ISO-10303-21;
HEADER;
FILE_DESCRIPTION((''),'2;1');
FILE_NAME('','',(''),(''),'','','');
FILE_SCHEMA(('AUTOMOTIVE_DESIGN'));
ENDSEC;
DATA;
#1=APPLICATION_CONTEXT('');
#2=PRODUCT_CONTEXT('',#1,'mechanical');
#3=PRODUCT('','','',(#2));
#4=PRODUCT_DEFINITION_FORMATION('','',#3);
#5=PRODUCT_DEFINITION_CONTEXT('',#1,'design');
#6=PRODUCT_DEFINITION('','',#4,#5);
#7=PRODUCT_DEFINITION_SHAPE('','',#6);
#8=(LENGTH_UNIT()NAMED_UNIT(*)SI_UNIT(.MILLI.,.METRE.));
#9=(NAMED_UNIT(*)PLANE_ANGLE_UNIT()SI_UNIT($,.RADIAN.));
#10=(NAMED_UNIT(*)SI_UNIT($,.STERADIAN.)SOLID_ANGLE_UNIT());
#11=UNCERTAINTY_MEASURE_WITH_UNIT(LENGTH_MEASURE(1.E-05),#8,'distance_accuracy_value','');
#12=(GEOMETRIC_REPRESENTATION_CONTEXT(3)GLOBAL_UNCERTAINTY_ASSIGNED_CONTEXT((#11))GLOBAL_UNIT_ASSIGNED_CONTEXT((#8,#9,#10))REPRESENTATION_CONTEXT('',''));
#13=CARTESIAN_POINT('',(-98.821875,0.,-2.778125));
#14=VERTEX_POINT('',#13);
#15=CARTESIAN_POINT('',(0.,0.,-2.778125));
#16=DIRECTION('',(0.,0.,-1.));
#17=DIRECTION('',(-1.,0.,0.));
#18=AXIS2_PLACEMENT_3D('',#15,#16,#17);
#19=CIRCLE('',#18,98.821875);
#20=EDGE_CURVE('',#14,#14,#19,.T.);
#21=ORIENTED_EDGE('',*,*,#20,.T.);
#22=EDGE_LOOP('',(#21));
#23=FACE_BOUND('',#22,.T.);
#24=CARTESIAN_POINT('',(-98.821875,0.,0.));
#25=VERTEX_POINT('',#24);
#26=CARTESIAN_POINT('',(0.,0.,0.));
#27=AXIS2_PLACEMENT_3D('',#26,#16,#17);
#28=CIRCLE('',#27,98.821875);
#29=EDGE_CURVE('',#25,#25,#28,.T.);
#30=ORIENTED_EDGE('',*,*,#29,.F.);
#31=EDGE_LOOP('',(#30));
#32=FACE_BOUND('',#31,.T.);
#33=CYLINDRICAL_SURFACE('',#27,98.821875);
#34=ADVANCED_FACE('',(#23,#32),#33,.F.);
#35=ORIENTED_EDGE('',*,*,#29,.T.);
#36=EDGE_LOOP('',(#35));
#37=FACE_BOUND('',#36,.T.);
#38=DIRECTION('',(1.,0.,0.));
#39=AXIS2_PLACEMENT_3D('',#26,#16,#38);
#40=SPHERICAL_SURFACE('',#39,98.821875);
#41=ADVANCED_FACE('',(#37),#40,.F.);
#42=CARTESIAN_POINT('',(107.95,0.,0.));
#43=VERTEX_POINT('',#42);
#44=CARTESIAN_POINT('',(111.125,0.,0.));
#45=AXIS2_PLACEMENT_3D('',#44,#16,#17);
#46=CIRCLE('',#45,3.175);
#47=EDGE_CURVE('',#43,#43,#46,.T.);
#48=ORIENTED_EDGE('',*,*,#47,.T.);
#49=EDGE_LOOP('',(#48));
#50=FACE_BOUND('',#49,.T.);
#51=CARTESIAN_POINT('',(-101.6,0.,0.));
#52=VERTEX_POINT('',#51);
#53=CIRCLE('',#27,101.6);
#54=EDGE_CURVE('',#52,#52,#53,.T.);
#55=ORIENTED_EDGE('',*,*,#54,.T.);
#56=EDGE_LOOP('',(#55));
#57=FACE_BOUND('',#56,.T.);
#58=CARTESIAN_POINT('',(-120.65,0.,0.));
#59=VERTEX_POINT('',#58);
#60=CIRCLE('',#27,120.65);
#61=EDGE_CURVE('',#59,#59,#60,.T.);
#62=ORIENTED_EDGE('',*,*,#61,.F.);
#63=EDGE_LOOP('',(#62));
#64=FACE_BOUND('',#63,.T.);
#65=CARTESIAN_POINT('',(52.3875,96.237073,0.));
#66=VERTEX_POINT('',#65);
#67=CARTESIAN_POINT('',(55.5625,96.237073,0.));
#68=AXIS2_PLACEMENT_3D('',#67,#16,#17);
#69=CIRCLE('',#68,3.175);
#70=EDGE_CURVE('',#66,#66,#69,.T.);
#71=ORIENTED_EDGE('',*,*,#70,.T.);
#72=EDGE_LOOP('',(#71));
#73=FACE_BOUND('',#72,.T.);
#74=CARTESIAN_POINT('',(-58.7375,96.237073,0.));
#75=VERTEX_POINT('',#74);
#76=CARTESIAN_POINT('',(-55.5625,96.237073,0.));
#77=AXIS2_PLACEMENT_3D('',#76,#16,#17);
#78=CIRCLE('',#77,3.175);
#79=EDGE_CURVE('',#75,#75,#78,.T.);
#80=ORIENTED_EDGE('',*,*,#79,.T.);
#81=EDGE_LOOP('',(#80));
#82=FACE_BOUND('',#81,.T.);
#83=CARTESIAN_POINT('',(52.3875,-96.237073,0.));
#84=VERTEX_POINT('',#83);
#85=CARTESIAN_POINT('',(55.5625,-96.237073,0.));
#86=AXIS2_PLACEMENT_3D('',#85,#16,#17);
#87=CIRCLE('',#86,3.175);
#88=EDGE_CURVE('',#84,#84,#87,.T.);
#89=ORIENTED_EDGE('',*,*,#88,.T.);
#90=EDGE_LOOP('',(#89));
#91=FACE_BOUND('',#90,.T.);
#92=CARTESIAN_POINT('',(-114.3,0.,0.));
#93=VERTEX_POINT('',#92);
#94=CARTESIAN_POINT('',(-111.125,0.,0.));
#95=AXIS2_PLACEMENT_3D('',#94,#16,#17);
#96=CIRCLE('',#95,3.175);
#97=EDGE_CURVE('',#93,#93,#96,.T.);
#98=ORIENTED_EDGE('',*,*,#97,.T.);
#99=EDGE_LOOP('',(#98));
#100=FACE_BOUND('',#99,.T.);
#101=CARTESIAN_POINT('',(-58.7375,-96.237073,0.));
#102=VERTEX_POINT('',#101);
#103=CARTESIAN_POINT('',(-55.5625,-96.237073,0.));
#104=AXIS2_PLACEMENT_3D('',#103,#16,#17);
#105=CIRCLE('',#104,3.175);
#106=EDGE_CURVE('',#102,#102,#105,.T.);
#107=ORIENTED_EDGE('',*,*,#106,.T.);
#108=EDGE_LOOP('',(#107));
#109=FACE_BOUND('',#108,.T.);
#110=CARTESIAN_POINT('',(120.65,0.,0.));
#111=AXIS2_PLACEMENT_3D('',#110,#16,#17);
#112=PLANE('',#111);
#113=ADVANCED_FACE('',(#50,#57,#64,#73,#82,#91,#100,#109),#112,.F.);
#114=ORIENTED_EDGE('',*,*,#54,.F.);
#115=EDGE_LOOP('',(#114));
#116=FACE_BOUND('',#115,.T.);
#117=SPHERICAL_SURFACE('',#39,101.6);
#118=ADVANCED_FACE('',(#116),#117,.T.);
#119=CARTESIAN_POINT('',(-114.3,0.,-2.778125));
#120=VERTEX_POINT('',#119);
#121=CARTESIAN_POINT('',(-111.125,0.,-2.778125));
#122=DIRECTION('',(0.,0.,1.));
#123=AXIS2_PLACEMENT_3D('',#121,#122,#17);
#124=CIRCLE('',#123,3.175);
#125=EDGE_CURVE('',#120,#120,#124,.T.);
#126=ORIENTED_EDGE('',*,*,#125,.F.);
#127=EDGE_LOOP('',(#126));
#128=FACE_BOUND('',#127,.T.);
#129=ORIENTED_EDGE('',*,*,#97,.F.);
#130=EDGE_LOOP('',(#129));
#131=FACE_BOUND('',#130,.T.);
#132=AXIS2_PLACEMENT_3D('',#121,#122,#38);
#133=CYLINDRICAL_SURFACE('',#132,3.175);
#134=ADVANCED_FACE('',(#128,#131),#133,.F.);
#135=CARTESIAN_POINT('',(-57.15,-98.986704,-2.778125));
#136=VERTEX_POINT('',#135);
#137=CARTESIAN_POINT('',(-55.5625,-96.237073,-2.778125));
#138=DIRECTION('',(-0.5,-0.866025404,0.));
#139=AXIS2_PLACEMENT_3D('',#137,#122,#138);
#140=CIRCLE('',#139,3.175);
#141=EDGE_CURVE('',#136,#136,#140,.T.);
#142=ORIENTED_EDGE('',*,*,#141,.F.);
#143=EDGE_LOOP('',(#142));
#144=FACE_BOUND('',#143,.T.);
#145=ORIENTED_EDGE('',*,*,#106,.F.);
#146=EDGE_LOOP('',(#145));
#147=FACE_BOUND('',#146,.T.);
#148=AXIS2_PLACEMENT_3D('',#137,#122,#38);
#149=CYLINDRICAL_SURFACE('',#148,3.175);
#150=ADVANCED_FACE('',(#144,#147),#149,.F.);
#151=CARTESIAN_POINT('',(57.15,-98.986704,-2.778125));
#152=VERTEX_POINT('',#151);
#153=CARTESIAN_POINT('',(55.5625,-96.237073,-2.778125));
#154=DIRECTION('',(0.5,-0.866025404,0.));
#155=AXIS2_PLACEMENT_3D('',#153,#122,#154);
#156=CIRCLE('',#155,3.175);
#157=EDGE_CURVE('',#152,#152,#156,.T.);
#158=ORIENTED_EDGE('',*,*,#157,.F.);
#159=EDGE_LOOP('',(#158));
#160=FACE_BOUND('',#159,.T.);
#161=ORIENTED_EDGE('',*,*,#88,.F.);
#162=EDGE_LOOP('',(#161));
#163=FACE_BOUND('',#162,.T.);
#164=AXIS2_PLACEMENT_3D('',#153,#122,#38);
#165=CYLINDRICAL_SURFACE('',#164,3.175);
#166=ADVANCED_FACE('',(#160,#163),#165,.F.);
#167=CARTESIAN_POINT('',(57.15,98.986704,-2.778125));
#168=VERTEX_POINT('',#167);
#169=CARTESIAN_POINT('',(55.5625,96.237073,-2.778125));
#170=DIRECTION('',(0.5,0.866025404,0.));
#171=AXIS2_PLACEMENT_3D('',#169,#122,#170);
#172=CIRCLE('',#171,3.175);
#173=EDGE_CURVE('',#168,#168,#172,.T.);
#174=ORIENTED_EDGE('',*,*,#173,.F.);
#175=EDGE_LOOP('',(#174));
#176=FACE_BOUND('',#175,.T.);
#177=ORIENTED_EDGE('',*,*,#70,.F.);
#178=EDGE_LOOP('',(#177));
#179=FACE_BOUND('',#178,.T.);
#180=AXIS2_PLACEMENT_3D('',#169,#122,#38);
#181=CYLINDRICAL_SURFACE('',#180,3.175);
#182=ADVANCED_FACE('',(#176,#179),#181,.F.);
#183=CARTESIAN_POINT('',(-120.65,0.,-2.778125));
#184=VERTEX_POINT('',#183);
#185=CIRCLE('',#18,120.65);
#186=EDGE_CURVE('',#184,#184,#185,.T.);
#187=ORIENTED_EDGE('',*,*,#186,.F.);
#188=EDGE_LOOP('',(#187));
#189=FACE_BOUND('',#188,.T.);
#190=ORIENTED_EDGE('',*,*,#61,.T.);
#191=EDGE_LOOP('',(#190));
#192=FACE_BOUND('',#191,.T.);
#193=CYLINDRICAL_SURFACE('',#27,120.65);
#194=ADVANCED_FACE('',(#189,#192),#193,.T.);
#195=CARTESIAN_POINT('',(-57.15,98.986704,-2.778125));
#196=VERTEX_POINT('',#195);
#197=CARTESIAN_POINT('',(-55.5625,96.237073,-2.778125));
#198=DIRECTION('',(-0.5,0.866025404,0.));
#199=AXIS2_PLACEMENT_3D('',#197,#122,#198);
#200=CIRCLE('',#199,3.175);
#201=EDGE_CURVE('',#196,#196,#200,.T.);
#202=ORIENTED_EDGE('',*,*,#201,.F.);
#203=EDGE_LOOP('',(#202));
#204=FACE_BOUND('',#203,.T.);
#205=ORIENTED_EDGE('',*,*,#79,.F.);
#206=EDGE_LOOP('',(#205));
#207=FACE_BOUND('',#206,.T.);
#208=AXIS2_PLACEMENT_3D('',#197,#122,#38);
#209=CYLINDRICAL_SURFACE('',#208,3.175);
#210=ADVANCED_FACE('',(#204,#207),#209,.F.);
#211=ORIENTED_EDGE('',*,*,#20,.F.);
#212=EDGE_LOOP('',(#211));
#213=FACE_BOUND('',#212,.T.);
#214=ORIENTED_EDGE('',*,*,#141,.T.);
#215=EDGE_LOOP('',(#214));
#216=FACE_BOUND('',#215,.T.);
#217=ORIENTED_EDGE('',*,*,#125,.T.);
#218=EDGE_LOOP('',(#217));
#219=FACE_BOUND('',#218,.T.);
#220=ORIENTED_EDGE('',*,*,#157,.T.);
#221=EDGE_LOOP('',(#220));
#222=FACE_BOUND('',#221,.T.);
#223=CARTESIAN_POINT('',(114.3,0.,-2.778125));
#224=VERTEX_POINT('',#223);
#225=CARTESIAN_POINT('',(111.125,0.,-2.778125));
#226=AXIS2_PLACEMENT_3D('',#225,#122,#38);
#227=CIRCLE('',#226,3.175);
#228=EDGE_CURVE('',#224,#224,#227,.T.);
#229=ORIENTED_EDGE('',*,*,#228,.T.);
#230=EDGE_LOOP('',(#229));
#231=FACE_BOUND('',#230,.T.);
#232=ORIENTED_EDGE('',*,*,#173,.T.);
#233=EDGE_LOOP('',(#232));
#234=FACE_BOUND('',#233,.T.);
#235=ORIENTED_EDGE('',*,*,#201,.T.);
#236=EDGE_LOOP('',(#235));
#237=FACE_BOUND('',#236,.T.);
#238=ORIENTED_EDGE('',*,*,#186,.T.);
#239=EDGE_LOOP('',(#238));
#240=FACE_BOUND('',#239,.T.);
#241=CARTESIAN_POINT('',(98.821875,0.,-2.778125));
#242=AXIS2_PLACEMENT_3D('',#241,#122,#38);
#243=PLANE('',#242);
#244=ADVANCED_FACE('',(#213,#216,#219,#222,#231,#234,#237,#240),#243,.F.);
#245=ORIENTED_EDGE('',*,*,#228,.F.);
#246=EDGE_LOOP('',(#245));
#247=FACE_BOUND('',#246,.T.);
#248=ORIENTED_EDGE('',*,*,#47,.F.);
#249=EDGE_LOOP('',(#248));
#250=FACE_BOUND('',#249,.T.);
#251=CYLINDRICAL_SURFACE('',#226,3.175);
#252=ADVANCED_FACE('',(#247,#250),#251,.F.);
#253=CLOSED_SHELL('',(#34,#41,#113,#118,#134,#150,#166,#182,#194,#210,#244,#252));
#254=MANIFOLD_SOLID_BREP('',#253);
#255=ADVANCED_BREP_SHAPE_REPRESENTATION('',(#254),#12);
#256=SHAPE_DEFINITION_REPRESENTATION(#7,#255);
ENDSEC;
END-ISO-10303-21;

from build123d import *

# Parameters (mm, degrees)
SKETCH2_R          = 3.175
CUT_EXTRUDE1_DEPTH = 199.583496293
CIRPATTERN1_COUNT  = 6


with BuildPart() as part:
    # Sketch1 → Revolve1 (revolve)
    with BuildSketch(Plane(origin=(0, 0, 0), x_dir=(1, 0, 0), z_dir=(0, 1, 0))):
        with BuildLine():
            Line((98.821875, 0), (98.821875, 2.778125))
            Line((98.821875, 2.778125), (120.65, 2.778125))
            Line((120.65, 2.778125), (120.65, 0))
            Line((120.65, 0), (101.6, 0))
            ThreePointArc((101.6, 0), (71.842048969, -71.842048969), (0, -101.6))
            Line((0, -101.6), (0, -98.821875))
            ThreePointArc((0, -98.821875), (69.877617942, -69.877617942), (98.821875, 0))
        make_face()
    revolve(axis=Axis((0, 0, 0), (0, 0, 1)))

    # Sketch2 → Cut-Extrude1 (cut, symmetric)
    with BuildSketch(Plane.XY):
        with Locations((111.125, 0)):
            Circle(SKETCH2_R)
    cut_extrude1 = extrude(amount=CUT_EXTRUDE1_DEPTH, both=True, mode=Mode.SUBTRACT)

    # CirPattern1: Cut-Extrude1 ×6 about axis
    cirpattern1_axis = Axis((0, 0, -6.72703125), (0, 0, 1))
    for i in range(1, CIRPATTERN1_COUNT):
        add(cut_extrude1.rotate(cirpattern1_axis, i * 360 / CIRPATTERN1_COUNT), mode=Mode.SUBTRACT)


solid = part.part
